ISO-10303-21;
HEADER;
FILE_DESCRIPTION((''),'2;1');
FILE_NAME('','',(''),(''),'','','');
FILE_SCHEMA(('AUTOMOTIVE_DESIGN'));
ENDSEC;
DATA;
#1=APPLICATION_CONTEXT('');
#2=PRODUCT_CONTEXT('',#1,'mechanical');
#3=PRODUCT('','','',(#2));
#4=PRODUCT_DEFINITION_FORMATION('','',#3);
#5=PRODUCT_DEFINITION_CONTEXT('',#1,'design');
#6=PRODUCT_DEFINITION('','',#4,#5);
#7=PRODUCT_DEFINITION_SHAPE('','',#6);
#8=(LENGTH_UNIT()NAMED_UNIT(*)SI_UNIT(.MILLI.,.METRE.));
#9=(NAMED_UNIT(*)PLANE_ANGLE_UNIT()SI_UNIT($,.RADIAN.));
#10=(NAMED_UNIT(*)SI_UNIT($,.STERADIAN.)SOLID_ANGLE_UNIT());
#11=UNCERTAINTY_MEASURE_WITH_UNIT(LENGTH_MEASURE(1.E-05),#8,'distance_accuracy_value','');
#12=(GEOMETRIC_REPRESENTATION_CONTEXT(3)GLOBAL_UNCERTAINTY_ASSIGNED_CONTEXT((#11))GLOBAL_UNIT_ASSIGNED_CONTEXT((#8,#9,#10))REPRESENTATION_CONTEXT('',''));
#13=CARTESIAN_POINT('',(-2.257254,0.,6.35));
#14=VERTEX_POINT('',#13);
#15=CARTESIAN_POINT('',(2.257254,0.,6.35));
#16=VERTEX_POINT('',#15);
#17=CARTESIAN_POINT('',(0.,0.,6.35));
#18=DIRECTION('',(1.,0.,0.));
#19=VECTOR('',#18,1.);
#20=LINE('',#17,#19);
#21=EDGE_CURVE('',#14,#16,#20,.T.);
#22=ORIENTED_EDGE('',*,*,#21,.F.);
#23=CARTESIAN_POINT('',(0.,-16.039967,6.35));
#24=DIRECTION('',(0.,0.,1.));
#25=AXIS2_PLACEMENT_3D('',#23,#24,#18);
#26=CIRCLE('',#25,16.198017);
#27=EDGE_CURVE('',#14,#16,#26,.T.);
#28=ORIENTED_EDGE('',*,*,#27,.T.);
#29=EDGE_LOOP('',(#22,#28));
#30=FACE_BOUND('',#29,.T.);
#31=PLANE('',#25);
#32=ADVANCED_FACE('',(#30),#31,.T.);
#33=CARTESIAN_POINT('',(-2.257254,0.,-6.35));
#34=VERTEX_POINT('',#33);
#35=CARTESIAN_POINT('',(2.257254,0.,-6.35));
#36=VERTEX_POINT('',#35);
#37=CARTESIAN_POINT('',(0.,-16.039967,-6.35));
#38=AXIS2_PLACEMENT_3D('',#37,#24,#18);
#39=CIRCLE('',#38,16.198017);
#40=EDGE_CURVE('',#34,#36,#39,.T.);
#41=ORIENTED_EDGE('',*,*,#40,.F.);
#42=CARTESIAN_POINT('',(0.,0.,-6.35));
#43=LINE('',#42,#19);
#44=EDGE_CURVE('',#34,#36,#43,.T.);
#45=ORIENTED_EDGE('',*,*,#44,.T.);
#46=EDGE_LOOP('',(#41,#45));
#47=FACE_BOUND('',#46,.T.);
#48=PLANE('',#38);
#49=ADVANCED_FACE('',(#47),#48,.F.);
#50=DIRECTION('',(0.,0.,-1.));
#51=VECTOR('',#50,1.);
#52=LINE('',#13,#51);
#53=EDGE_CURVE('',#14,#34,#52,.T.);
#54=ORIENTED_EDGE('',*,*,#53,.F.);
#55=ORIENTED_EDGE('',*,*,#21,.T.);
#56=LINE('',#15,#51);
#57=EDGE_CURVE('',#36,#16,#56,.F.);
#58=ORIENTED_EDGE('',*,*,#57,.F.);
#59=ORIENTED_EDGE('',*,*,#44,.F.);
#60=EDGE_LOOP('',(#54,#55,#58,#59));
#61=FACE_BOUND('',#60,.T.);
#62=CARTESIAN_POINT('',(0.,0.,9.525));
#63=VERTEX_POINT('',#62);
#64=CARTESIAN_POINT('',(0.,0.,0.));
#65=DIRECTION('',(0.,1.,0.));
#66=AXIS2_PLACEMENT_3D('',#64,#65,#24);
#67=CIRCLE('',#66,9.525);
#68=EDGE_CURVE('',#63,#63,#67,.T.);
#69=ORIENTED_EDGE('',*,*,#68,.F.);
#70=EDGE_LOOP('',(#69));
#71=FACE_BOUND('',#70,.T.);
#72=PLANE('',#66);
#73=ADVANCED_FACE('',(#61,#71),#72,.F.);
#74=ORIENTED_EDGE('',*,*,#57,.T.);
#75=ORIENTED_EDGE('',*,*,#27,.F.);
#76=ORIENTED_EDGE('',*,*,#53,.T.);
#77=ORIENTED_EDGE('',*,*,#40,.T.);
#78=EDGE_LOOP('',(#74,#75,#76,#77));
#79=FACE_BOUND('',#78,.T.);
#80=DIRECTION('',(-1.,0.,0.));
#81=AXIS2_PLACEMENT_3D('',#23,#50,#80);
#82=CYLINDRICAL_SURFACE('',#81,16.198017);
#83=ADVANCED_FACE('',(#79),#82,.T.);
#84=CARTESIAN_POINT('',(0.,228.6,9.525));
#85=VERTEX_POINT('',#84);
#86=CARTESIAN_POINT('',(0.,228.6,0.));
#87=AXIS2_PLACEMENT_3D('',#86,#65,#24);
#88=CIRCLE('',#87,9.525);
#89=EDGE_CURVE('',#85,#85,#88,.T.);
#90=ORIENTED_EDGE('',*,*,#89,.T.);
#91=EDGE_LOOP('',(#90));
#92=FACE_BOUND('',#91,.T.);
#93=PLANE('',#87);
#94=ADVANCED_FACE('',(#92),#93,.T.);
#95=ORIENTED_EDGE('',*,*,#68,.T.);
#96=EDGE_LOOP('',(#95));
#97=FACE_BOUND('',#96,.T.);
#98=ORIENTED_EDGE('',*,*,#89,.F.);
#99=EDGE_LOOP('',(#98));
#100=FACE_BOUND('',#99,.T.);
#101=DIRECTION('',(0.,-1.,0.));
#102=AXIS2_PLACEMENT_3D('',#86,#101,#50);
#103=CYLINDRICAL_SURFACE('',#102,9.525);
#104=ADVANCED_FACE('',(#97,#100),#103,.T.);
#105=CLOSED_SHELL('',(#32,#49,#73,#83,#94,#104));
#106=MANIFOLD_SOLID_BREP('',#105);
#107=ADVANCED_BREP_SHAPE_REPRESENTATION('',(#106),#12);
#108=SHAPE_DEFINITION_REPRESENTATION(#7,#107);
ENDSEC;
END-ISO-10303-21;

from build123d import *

# Parameters (mm, degrees)
SKETCH1_R           = 9.525
BOSS_EXTRUDE1_DEPTH = 228.6
SKETCH3_R           = 16.198016886
BOSS_EXTRUDE2_DEPTH = 6.35


with BuildPart() as part:
    # Sketch1 → Boss-Extrude1 (new body)
    with BuildSketch(Plane(origin=(0, 0, 0), x_dir=(1, 0, 0), z_dir=(0, 1, 0))):
        Circle(SKETCH1_R)
    extrude(amount=BOSS_EXTRUDE1_DEPTH)

    # Sketch3 → Boss-Extrude2 (add, symmetric)
    with BuildSketch(Plane.XY):
        with Locations((0, -16.03996745)):
            Circle(SKETCH3_R)
    extrude(amount=BOSS_EXTRUDE2_DEPTH, both=True)


solid = part.part
